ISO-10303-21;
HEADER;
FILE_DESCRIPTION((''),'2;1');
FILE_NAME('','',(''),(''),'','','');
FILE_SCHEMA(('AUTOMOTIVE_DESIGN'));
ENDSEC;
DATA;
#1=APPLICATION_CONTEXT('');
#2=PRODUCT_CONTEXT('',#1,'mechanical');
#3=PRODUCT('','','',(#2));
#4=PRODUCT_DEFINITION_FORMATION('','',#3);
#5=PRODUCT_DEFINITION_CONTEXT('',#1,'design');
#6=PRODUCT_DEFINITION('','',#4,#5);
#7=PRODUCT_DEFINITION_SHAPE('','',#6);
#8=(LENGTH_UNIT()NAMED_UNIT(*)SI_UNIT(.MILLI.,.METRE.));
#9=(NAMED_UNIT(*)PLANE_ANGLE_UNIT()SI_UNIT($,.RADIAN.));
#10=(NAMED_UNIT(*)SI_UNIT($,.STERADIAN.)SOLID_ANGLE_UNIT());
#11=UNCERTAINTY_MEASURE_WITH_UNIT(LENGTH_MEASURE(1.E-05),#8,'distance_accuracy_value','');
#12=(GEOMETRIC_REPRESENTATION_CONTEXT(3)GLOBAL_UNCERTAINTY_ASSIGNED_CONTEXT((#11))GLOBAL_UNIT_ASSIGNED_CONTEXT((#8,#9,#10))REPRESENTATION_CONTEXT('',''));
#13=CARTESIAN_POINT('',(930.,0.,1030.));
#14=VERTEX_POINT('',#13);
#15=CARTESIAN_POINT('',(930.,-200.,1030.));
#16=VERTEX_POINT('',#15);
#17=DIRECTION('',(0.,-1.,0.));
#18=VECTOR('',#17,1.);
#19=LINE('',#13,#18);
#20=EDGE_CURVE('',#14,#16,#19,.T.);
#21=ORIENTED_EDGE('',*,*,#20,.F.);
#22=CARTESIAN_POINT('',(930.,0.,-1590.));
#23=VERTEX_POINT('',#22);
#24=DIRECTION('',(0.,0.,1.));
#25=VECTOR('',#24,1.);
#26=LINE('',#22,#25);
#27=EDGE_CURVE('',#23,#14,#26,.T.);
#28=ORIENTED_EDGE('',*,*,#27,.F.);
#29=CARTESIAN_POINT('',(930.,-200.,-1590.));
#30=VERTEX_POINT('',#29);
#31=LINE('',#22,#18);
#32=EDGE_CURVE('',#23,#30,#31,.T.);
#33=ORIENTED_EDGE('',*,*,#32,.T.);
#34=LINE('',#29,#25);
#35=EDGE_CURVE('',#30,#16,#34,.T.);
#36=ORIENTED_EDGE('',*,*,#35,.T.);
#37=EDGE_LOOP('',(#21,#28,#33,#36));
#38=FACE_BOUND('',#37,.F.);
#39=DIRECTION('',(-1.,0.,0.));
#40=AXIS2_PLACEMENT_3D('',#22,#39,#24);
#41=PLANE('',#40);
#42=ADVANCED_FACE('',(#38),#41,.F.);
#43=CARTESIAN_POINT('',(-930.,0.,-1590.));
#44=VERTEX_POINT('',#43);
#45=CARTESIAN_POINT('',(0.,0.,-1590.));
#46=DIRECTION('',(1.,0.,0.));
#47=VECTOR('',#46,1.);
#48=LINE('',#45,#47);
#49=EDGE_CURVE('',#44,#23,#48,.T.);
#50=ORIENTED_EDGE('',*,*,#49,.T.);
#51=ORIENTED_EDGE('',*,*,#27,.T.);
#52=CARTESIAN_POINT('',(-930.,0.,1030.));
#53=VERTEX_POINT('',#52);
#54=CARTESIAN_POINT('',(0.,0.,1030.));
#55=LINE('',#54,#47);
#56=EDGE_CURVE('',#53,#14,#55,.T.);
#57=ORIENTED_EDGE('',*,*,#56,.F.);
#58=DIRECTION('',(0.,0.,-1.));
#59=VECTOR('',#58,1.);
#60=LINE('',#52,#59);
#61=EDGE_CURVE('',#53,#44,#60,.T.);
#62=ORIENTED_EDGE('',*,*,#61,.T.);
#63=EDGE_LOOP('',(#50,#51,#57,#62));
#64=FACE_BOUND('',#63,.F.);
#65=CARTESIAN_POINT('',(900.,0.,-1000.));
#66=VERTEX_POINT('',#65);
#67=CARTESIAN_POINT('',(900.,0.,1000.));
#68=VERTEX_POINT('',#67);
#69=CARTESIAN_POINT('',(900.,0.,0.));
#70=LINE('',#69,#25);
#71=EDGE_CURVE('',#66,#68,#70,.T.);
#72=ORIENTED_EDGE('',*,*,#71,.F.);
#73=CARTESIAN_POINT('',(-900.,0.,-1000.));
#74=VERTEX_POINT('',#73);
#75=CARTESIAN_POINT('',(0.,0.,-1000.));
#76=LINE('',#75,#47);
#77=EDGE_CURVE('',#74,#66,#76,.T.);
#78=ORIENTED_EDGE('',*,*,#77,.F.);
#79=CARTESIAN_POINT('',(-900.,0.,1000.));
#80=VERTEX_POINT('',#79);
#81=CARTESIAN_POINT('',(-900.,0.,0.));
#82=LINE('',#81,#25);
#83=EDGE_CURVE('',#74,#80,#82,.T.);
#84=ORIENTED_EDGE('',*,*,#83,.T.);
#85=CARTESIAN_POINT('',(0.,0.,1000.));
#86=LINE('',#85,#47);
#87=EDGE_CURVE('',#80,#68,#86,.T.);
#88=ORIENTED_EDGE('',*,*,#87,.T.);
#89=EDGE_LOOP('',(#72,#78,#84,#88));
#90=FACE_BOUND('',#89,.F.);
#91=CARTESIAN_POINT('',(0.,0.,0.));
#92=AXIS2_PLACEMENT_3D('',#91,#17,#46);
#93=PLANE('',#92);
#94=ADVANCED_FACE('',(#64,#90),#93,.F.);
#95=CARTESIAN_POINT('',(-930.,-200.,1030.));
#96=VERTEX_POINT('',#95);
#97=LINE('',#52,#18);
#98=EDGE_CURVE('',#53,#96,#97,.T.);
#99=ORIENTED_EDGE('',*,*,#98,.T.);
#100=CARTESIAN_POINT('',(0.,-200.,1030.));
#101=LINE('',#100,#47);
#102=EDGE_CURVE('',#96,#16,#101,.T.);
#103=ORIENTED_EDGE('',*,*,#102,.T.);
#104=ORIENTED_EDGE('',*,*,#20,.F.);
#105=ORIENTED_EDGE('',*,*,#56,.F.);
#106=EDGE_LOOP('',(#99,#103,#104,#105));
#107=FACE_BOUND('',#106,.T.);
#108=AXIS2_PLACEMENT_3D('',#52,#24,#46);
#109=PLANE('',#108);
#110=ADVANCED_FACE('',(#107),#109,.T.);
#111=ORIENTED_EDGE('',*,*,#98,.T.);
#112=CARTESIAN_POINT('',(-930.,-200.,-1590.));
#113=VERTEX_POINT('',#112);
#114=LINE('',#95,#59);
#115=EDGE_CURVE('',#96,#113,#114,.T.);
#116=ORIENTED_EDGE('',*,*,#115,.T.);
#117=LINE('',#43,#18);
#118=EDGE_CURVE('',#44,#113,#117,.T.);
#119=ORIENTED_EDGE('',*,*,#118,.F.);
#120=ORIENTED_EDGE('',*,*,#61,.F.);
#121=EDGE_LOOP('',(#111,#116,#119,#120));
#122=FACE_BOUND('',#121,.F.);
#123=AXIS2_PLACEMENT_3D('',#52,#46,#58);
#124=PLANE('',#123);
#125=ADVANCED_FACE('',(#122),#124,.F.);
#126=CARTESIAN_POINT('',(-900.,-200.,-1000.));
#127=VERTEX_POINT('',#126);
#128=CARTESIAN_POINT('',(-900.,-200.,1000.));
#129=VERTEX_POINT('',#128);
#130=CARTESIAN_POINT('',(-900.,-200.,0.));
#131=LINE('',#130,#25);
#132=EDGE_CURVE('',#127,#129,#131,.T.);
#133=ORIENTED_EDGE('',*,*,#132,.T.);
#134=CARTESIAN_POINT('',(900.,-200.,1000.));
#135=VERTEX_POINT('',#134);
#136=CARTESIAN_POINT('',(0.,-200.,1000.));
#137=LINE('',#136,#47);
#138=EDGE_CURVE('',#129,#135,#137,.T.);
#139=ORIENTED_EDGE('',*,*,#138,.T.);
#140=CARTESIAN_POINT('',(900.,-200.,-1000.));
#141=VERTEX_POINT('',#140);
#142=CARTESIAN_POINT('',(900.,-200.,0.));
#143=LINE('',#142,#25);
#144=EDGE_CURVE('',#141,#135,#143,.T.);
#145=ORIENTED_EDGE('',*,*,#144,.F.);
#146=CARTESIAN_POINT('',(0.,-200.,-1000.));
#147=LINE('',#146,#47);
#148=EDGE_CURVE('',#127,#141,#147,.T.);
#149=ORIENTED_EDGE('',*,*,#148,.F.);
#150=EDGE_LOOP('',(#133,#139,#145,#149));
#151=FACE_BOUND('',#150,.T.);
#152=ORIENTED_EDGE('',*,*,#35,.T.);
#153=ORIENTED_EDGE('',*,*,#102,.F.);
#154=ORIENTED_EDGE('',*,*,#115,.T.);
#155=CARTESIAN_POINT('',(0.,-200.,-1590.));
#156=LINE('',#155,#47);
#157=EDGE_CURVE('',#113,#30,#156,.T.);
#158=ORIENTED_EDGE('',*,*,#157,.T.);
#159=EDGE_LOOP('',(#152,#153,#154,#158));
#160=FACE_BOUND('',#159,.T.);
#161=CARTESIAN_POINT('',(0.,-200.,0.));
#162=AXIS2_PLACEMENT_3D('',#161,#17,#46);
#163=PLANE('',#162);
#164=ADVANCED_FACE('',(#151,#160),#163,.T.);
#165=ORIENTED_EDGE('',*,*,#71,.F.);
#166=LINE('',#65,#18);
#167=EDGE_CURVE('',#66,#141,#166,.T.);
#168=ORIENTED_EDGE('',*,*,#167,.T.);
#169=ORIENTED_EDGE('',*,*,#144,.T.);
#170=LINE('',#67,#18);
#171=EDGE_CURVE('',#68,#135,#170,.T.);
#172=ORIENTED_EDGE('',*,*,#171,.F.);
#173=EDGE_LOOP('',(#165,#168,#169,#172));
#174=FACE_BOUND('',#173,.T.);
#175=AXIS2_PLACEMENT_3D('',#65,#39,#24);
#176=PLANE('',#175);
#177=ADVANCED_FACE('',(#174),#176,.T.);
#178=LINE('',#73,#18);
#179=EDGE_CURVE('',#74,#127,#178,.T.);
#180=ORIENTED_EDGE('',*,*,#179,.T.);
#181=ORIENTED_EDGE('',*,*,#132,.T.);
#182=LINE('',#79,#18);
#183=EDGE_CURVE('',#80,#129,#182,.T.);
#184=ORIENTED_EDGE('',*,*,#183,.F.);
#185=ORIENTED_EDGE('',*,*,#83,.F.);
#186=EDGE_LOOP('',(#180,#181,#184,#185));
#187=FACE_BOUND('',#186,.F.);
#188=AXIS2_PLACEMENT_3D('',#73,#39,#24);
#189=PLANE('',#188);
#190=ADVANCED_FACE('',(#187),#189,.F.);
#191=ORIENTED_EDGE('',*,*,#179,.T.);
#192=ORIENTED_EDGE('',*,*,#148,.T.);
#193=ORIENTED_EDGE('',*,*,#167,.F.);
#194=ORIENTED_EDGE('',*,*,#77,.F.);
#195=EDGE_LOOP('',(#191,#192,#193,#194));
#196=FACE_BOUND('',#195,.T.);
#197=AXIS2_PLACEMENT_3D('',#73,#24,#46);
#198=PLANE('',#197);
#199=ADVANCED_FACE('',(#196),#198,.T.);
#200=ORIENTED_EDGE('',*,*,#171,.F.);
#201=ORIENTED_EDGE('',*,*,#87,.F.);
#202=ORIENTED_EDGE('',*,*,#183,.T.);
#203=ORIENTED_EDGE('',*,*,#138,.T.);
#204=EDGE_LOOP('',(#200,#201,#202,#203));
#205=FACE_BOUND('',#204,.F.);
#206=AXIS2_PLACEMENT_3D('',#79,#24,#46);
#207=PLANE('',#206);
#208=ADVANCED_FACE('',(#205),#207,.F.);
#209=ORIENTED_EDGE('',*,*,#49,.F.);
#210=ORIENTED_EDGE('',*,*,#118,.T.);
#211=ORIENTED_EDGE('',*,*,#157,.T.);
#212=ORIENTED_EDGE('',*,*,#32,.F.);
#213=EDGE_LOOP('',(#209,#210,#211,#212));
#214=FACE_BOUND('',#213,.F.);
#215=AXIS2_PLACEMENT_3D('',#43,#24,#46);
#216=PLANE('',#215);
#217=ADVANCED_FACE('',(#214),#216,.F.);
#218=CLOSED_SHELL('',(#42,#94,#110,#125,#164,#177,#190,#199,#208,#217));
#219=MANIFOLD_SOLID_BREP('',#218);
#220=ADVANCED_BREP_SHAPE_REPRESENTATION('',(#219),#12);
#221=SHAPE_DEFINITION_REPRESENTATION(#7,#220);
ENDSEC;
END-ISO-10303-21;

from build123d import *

# Parameters (mm, degrees)
F0_W     = 1860
F0_H     = 2060
F0_W_2   = 1800
F0_H_2   = 2000
F0_H_3   = 560
F1_DEPTH = 200


with BuildPart() as f1:
    # F0 (on Front) → F1 (new body)
    with BuildSketch(Plane.XZ):
        Rectangle(F0_W, F0_H)
        Rectangle(F0_W_2, F0_H_2, mode=Mode.SUBTRACT)
        with Locations((0, -1310)):
            Rectangle(F0_W, F0_H_3)
    extrude(amount=F1_DEPTH)


solid = f1.part
